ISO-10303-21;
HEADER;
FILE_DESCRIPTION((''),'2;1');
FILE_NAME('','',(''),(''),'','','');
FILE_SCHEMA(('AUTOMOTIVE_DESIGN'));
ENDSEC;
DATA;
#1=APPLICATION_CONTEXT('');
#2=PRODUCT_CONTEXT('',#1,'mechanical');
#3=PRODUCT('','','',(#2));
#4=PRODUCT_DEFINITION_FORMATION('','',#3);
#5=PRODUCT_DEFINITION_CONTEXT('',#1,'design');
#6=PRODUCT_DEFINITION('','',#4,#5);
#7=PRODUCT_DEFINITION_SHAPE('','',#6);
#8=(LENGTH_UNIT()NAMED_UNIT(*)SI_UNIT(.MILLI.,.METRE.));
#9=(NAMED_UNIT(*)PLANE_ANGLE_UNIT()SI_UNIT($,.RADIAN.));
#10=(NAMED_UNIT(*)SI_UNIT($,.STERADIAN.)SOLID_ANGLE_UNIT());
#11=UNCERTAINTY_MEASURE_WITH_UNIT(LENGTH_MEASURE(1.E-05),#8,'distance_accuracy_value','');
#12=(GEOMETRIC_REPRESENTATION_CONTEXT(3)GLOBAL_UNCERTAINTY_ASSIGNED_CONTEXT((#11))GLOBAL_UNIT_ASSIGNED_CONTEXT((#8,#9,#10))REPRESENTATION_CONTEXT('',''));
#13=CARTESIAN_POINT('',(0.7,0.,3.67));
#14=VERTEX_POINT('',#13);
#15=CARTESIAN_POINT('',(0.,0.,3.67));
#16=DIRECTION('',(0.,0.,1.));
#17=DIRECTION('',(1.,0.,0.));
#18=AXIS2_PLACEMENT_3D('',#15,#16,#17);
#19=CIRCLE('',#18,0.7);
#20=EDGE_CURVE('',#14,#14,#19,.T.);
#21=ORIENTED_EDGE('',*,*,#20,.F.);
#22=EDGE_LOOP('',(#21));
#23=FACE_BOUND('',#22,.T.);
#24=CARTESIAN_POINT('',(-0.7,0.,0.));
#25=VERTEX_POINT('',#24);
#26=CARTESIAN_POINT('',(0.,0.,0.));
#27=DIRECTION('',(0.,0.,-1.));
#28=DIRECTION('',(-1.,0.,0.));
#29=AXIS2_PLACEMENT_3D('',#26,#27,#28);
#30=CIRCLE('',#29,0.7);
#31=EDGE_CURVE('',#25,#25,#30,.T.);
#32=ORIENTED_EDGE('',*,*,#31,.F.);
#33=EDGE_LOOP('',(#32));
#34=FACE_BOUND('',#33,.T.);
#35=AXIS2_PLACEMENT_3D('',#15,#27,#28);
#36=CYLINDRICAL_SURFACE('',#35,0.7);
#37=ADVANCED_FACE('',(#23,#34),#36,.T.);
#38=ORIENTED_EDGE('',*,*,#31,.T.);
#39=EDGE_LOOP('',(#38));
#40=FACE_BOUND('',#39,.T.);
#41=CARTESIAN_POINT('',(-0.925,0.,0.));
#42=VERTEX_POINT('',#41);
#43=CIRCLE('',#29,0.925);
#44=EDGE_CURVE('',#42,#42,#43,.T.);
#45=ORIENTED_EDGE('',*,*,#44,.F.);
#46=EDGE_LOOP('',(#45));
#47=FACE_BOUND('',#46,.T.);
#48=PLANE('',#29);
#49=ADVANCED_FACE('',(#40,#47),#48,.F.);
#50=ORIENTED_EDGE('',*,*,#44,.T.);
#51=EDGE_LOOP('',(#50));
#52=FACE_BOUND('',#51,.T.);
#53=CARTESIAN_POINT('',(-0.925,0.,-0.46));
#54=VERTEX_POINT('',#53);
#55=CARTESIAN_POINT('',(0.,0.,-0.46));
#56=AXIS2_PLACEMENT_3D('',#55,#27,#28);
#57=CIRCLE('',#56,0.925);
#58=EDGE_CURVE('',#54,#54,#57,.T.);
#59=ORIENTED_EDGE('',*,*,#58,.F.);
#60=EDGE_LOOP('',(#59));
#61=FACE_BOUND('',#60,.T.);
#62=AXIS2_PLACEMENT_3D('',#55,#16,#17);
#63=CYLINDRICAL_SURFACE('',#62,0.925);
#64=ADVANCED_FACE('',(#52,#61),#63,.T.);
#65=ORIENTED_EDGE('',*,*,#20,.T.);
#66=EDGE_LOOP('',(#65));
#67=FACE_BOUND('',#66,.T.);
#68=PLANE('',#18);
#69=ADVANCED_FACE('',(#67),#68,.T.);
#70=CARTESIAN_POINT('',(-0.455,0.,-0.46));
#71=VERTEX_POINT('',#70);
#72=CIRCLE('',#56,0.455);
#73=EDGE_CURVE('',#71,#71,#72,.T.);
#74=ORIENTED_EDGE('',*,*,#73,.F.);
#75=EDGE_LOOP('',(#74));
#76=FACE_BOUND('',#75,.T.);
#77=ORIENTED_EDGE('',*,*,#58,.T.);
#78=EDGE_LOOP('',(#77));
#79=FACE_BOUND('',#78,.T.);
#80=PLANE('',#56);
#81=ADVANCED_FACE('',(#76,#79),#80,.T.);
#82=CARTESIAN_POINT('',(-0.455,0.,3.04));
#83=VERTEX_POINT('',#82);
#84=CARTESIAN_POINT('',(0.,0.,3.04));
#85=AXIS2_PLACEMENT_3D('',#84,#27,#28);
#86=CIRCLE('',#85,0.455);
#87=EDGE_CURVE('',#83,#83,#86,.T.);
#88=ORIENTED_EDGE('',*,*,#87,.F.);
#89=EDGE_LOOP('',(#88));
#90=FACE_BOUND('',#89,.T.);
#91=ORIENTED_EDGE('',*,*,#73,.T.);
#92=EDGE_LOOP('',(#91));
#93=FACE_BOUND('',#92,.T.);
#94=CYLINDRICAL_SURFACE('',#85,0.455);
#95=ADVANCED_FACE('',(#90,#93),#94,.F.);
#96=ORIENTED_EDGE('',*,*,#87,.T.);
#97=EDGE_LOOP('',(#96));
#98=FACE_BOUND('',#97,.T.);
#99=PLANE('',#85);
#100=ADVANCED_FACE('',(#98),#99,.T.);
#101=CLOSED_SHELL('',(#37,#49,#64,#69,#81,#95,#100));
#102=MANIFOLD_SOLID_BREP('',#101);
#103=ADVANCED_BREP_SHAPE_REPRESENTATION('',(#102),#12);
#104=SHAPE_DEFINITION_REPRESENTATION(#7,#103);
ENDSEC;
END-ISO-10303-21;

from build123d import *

# Parameters (mm, degrees)
SKETCH1_R           = 0.7
BOSS_EXTRUDE1_DEPTH = 3.67
SKETCH2_R           = 0.925
BOSS_EXTRUDE2_DEPTH = 0.46
SKETCH3_R           = 0.455
CUT_EXTRUDE1_DEPTH  = 3.5


with BuildPart() as part:
    # Sketch1 → Boss-Extrude1 (new body)
    with BuildSketch(Plane.XY):
        Circle(SKETCH1_R)
    extrude(amount=BOSS_EXTRUDE1_DEPTH)

    # Sketch2 → Boss-Extrude2 (add)
    with BuildSketch(Plane(origin=(0, 0, 0), x_dir=(-1, 0, 0), z_dir=(0, 0, -1))):
        Circle(SKETCH2_R)
    extrude(amount=BOSS_EXTRUDE2_DEPTH)

    # Sketch3 → Cut-Extrude1 (cut)
    with BuildSketch(Plane(origin=(0, 0, -0.46), x_dir=(-1, 0, 0), z_dir=(0, 0, -1))):
        Circle(SKETCH3_R)
    extrude(amount=-CUT_EXTRUDE1_DEPTH, mode=Mode.SUBTRACT)


solid = part.part
